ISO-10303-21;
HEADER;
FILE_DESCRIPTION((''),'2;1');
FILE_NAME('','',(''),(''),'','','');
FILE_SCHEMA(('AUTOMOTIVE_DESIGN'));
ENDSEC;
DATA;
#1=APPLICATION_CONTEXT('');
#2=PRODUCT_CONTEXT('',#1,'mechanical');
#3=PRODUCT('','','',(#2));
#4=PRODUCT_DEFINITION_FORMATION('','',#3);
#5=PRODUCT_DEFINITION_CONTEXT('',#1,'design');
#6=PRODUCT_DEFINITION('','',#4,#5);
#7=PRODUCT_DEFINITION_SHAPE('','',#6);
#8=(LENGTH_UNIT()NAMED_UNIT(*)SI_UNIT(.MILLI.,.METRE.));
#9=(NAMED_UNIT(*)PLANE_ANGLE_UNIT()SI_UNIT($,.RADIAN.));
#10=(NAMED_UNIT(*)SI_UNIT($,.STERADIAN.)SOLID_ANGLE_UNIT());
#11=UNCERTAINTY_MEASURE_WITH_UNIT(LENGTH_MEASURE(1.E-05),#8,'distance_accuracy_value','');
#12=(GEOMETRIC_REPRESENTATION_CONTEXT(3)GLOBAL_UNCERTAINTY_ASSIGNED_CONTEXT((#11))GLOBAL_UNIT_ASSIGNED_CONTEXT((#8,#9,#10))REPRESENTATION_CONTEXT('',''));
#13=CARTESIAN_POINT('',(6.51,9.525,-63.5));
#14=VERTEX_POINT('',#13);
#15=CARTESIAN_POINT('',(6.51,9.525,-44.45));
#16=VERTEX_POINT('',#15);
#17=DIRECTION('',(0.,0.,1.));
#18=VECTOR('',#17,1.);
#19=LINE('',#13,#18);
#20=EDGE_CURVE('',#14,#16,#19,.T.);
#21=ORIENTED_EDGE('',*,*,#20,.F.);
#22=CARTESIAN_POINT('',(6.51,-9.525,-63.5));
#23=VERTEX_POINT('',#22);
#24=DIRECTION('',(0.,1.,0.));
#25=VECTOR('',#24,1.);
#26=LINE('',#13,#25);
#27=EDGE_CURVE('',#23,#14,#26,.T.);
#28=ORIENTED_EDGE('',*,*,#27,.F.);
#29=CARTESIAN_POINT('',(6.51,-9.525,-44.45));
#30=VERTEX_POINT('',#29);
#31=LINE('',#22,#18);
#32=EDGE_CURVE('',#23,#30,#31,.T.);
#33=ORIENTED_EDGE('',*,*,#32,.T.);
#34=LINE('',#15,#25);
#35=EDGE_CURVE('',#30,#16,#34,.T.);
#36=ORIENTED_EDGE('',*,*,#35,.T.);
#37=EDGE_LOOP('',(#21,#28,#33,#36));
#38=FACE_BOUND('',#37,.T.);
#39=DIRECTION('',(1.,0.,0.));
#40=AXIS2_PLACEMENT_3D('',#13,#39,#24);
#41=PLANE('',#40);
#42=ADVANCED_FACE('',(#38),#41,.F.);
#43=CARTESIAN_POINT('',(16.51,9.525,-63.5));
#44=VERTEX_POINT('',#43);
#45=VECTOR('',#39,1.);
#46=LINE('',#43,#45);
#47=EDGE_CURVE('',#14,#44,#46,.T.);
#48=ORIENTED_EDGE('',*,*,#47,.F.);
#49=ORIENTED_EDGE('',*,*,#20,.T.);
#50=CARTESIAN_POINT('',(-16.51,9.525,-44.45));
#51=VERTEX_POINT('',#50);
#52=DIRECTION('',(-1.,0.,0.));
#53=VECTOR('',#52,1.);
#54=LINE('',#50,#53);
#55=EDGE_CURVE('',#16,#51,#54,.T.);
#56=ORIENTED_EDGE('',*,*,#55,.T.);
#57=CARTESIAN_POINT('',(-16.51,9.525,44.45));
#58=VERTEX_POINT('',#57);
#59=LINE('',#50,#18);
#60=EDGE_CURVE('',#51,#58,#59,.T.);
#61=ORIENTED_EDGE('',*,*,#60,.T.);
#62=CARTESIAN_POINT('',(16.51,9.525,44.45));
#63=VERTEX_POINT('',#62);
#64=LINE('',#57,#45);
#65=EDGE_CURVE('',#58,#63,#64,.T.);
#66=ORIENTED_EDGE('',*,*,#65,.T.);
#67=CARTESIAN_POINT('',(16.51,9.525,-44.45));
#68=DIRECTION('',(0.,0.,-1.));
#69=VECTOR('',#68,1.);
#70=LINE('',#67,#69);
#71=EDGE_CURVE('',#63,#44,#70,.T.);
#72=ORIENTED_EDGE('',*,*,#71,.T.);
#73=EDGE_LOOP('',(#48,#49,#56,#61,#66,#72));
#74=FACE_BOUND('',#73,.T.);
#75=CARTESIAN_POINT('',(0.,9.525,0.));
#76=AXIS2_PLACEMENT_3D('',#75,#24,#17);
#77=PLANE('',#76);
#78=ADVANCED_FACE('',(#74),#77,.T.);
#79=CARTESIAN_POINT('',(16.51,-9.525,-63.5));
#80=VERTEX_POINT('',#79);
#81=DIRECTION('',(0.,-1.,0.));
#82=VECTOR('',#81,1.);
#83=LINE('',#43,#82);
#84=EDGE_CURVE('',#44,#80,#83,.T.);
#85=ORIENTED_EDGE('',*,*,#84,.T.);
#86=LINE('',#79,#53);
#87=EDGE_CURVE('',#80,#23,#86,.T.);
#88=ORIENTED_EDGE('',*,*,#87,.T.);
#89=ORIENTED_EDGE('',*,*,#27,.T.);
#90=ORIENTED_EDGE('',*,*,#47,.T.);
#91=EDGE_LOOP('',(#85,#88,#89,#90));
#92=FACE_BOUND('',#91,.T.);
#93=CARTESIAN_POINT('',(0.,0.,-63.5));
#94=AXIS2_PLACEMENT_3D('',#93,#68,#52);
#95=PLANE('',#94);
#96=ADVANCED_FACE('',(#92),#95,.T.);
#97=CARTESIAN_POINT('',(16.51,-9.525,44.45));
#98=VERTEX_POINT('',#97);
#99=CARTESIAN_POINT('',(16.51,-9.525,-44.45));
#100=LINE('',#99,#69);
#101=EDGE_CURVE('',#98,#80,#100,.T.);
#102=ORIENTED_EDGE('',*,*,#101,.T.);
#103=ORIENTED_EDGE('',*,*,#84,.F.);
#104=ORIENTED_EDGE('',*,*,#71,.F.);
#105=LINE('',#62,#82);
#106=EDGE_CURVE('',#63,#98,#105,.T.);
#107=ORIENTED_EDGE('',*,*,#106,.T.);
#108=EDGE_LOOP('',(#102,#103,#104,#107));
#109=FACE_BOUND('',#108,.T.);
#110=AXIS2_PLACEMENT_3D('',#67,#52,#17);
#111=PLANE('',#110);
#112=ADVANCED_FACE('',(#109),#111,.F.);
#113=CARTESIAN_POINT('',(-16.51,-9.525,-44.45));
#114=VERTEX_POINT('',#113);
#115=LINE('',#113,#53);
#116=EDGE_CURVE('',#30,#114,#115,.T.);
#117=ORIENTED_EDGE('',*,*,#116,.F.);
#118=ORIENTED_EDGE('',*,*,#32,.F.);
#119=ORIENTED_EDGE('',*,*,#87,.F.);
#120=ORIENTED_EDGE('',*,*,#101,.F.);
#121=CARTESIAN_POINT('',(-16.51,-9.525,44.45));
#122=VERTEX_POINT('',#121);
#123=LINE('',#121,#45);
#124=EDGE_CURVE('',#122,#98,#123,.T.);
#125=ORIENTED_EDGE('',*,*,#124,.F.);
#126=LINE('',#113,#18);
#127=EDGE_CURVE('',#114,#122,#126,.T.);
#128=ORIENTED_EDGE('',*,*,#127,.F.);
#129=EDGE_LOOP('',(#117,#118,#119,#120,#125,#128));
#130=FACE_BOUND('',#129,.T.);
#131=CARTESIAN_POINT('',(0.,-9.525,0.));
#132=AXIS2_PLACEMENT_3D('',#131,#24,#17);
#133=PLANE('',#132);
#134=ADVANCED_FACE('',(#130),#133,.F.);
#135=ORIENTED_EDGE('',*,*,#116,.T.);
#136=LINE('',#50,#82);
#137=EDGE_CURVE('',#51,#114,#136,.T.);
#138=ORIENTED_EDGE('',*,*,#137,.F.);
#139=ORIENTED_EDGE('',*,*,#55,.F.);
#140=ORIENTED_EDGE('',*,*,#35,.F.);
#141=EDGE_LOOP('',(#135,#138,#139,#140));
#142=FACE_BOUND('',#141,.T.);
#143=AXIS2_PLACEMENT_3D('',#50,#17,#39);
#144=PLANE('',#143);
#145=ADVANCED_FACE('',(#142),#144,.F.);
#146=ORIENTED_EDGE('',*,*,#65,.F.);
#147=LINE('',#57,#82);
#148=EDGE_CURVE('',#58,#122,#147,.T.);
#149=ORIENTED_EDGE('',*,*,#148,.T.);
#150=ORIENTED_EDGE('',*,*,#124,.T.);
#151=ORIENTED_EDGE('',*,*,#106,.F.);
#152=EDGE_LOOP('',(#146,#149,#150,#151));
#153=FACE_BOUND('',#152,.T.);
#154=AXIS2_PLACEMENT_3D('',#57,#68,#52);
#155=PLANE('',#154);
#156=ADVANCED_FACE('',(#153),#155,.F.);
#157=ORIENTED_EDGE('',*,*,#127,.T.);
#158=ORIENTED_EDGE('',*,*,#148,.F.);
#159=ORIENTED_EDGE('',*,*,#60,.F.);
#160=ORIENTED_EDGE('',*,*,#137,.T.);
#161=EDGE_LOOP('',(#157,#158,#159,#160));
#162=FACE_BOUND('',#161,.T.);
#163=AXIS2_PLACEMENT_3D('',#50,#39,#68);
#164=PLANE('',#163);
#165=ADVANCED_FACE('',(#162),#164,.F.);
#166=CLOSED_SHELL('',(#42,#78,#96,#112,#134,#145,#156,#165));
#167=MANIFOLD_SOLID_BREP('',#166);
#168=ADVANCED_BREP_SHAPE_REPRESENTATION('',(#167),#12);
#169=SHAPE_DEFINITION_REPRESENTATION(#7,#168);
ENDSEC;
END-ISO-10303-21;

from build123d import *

# Parameters (mm, degrees)
SKETCH1_W           = 33.02
SKETCH1_H           = 88.9
BOSS_EXTRUDE1_DEPTH = 9.525
SKETCH2_W           = 10
SKETCH2_H           = 19.05
BOSS_EXTRUDE2_DEPTH = 19.05


with BuildPart() as part:
    # Sketch1 → Boss-Extrude1 (new body, symmetric)
    with BuildSketch(Plane(origin=(0, 0, 0), x_dir=(1, 0, 0), z_dir=(0, 1, 0))):
        Rectangle(SKETCH1_W, SKETCH1_H)
    extrude(amount=BOSS_EXTRUDE1_DEPTH, both=True)

    # Sketch2 → Boss-Extrude2 (add)
    with BuildSketch(Plane(origin=(0, 0, -44.45), x_dir=(-1, 0, 0), z_dir=(0, 0, -1))):
        with Locations((-11.51, 0)):
            Rectangle(SKETCH2_W, SKETCH2_H)
    extrude(amount=BOSS_EXTRUDE2_DEPTH)


solid = part.part
